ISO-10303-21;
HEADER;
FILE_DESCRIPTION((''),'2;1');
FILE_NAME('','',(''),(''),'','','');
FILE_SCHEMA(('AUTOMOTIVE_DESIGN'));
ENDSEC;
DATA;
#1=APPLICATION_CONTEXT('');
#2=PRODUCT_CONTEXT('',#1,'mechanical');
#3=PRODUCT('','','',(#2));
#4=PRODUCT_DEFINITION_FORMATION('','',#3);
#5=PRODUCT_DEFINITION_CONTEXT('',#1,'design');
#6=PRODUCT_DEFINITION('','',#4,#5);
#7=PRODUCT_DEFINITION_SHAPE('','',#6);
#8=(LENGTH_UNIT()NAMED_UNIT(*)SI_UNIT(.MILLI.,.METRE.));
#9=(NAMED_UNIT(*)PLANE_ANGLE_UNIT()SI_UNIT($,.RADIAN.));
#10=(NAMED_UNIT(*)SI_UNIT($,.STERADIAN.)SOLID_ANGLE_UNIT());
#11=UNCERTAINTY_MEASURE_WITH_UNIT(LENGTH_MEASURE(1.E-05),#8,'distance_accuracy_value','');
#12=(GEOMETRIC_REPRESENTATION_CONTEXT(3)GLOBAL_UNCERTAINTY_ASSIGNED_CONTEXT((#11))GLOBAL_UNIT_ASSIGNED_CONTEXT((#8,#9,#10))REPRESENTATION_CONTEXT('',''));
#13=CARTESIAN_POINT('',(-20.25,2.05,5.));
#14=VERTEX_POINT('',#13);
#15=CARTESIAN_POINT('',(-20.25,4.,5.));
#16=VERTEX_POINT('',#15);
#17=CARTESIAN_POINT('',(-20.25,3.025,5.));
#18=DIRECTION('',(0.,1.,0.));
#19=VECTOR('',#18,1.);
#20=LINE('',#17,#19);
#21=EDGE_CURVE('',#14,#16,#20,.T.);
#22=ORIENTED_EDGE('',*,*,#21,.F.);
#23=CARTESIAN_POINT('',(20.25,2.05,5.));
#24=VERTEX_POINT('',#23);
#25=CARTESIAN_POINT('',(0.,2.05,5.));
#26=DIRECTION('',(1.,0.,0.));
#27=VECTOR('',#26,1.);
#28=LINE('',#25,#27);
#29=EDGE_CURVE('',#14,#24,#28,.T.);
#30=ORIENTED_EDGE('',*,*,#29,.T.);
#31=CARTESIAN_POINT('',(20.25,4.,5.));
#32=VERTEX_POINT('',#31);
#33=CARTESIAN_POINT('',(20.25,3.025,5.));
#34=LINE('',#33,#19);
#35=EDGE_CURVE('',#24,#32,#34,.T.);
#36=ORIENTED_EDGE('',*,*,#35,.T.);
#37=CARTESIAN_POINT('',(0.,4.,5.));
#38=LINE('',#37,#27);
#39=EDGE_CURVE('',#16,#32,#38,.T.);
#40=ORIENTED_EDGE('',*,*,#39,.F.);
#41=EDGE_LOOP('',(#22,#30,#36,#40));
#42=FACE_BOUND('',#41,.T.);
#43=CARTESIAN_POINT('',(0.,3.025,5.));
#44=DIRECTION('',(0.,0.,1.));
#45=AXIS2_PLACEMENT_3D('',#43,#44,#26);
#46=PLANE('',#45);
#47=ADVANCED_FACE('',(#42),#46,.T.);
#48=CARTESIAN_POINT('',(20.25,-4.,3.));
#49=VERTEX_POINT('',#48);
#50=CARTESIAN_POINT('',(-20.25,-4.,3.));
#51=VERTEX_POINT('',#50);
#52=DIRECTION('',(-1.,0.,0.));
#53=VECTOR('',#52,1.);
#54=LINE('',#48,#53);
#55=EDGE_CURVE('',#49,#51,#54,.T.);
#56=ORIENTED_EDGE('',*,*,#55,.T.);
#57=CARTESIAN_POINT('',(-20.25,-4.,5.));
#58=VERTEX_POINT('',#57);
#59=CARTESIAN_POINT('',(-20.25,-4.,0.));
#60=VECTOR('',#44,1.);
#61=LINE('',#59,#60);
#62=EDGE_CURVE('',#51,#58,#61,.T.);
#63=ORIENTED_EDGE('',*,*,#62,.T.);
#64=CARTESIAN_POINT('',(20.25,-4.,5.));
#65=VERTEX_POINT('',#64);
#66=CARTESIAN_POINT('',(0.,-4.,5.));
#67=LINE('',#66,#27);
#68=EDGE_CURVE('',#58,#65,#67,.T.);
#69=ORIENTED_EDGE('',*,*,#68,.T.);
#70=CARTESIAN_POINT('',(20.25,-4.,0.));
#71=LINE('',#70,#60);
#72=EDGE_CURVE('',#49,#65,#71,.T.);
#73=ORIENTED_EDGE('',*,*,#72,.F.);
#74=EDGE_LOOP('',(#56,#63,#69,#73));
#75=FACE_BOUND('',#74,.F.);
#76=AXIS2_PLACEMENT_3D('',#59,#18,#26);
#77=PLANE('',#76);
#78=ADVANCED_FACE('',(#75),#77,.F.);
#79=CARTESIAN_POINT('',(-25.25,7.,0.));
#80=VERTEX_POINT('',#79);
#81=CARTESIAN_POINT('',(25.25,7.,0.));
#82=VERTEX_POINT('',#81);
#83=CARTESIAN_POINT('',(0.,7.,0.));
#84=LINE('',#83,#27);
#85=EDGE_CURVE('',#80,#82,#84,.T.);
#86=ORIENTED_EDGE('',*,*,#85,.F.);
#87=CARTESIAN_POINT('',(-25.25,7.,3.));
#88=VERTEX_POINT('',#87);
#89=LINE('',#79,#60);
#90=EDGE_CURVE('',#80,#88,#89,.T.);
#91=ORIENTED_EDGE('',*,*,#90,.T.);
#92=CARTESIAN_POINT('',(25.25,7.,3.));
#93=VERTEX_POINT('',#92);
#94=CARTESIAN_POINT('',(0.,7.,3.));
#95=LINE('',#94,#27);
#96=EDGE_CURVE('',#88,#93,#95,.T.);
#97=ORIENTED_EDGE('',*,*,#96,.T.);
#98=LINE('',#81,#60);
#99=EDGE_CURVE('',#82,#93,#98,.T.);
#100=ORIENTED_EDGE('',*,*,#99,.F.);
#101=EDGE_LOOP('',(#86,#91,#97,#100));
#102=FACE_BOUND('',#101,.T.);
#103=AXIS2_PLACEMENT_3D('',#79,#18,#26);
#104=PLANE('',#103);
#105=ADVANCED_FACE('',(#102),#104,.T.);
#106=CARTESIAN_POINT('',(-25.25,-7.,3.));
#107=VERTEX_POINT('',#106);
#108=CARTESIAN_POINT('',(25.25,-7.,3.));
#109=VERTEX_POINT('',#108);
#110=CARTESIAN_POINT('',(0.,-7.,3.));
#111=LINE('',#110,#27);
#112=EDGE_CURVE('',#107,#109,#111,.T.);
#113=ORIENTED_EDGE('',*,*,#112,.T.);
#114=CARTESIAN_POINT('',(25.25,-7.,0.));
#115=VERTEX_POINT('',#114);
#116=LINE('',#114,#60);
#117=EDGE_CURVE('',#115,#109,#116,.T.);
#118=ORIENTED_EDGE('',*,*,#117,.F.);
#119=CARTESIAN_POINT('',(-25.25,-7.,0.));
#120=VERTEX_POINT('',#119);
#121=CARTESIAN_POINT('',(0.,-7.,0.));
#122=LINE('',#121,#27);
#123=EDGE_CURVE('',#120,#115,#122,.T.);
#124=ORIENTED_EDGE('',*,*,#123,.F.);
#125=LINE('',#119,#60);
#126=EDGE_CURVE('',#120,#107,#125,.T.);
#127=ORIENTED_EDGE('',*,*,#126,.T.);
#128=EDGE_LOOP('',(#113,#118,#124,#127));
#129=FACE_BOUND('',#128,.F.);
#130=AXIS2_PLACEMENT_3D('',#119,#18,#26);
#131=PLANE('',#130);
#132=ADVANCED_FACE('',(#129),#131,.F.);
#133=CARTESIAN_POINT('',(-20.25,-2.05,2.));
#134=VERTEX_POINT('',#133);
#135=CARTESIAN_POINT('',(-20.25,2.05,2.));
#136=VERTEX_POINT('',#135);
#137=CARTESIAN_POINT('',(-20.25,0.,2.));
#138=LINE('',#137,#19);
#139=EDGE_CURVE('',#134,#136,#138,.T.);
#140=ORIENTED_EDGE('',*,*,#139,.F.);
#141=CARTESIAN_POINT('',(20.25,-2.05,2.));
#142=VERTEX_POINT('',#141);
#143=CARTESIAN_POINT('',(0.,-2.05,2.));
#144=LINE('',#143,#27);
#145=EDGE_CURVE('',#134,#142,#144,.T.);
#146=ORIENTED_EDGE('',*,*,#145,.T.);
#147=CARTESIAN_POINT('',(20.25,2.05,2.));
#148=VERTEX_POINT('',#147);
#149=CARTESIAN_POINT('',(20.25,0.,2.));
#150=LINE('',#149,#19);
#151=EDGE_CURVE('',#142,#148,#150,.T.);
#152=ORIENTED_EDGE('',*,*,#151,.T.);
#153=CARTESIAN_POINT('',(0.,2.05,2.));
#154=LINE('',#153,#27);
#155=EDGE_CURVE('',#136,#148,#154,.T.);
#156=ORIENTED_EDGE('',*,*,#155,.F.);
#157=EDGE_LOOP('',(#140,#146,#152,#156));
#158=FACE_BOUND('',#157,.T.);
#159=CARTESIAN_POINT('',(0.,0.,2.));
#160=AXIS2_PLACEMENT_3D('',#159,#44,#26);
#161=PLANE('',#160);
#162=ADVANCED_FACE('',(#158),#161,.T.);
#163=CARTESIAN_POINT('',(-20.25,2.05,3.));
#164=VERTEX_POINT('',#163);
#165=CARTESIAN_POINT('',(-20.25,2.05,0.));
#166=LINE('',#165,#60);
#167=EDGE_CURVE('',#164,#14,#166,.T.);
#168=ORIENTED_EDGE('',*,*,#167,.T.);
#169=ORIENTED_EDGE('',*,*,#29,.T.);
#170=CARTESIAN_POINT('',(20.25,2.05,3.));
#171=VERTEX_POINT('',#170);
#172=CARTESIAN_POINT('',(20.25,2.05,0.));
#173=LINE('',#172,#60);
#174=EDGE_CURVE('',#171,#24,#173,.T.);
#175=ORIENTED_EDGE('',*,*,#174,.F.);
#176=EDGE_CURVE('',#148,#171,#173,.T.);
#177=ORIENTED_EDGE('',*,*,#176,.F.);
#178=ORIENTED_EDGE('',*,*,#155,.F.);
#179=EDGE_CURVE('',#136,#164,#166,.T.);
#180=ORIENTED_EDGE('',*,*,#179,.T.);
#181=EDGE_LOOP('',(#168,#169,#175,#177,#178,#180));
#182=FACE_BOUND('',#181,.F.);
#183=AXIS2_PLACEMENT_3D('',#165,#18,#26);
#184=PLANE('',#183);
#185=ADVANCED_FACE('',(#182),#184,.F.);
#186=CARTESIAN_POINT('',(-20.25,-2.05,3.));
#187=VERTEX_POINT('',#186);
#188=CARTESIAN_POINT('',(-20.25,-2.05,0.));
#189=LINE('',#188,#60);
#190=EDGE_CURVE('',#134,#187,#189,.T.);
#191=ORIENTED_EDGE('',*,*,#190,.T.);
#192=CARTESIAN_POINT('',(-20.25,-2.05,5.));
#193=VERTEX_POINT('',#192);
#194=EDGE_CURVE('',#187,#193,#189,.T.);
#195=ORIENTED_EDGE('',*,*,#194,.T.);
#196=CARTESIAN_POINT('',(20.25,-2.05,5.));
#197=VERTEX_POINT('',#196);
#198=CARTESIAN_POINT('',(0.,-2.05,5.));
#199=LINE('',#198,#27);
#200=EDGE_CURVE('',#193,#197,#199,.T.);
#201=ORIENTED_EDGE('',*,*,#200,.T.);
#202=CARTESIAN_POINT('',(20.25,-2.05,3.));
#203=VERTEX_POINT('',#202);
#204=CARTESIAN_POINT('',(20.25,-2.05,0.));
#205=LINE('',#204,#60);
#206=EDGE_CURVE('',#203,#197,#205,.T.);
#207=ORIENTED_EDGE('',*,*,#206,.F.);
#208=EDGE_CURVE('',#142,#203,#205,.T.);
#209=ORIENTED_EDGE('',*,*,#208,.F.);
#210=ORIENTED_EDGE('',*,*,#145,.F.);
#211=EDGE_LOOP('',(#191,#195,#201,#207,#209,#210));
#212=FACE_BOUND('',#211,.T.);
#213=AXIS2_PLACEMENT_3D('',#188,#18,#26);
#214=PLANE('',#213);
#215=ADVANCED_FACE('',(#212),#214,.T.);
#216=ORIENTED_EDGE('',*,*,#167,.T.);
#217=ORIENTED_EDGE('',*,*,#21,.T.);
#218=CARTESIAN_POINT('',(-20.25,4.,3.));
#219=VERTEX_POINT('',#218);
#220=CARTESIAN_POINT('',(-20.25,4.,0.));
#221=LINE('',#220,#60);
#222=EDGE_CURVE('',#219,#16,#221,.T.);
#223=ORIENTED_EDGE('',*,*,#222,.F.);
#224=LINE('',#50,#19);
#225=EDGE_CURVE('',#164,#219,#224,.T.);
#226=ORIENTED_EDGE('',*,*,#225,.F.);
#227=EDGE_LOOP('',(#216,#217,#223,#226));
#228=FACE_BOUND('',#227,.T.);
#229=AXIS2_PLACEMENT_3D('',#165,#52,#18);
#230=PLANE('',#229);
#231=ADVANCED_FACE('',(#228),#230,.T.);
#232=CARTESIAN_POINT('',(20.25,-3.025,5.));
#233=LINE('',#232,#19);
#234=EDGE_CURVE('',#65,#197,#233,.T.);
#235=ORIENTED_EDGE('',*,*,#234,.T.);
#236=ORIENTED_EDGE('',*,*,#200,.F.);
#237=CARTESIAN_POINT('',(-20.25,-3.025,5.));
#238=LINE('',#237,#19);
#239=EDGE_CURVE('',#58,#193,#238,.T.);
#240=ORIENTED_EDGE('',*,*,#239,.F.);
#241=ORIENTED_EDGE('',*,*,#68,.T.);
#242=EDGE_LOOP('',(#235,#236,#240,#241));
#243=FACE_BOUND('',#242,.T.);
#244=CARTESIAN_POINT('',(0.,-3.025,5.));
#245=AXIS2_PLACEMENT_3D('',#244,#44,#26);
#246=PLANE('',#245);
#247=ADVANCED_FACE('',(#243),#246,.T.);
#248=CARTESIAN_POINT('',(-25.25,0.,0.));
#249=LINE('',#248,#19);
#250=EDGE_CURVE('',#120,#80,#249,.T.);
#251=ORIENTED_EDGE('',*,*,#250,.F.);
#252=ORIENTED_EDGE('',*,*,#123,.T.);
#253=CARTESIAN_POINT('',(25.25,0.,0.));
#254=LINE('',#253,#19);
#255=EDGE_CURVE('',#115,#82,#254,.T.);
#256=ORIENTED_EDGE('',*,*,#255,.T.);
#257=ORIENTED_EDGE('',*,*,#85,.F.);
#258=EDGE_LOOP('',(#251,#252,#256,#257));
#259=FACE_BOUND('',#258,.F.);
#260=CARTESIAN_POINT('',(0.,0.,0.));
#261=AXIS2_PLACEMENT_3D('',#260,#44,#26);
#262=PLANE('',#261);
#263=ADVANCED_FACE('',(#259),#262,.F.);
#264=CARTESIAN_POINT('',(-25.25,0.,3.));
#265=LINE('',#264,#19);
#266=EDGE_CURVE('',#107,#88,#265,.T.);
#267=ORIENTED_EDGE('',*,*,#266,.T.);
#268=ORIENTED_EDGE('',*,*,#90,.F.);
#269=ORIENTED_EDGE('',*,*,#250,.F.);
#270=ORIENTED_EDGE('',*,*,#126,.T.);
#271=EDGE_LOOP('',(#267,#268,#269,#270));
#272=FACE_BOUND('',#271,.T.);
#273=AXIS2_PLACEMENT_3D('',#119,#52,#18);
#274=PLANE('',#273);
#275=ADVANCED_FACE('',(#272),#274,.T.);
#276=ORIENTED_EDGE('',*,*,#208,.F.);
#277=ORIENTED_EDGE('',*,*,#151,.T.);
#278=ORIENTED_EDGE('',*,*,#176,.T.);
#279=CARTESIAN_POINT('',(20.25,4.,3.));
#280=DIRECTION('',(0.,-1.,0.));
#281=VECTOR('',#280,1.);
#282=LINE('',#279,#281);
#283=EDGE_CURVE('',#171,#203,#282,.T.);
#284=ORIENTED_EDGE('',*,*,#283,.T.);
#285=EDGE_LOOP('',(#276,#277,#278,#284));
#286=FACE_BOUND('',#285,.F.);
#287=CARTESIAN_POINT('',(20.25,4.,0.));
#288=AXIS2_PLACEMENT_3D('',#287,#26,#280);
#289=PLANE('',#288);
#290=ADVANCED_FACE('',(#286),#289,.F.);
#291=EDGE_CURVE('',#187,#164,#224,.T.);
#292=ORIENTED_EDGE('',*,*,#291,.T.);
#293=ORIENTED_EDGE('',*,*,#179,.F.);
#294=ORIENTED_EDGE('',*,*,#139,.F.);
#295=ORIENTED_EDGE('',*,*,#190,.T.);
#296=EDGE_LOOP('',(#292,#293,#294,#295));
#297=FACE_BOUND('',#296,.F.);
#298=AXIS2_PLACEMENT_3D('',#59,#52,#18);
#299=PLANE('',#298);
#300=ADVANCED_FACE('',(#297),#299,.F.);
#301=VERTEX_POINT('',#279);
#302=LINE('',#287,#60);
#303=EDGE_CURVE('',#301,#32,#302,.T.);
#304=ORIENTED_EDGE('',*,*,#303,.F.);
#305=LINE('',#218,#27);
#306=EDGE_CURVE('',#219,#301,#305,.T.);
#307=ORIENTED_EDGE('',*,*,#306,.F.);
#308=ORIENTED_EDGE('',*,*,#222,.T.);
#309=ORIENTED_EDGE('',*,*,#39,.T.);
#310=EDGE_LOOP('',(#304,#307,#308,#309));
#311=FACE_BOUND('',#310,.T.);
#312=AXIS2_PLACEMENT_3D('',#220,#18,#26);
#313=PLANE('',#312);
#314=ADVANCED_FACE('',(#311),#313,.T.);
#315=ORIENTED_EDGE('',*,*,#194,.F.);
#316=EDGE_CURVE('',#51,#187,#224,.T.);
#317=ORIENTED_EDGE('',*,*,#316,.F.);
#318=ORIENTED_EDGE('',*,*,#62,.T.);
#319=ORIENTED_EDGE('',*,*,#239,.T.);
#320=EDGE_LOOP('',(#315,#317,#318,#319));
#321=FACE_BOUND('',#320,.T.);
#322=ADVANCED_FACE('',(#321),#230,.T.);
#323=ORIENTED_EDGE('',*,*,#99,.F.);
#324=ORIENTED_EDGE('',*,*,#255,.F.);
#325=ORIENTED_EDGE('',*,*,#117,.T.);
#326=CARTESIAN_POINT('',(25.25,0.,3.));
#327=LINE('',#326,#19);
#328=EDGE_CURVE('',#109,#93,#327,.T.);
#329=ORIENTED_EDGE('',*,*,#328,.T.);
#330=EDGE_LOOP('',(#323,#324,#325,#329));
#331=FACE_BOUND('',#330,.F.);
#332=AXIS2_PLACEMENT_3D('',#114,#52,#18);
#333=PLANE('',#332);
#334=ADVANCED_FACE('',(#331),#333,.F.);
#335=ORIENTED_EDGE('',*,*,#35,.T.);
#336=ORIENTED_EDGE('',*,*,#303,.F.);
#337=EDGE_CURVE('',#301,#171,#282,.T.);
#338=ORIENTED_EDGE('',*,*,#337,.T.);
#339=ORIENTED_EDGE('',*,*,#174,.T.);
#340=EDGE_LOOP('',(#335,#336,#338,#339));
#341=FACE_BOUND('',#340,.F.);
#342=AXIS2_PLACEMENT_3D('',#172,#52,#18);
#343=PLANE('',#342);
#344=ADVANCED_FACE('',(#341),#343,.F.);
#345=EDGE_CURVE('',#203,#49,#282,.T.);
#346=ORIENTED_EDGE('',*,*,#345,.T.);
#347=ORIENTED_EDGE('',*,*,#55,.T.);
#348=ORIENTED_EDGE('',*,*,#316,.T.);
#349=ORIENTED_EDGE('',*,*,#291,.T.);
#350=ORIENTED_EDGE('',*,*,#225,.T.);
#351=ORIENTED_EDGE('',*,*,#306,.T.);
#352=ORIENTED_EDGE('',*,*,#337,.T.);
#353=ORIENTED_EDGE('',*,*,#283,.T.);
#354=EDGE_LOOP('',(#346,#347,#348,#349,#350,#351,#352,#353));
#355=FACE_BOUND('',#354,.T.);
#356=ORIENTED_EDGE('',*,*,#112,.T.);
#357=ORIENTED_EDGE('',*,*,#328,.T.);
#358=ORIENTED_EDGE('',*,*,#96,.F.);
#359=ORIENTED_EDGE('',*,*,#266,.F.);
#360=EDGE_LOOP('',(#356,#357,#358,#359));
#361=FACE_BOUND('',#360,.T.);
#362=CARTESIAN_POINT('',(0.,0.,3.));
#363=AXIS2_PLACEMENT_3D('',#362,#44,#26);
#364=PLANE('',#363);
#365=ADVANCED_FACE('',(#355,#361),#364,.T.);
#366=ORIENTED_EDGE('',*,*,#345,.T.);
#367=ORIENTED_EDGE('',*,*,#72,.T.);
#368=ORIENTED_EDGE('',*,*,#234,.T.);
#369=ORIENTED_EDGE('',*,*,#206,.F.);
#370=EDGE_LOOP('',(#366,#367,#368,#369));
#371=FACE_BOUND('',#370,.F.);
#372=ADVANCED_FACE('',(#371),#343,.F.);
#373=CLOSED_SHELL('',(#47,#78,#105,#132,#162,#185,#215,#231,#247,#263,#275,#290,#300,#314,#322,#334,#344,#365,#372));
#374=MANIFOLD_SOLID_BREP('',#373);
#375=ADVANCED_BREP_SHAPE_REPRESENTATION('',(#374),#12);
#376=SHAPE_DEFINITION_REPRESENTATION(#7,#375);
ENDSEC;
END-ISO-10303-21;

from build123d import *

# Parameters (mm, degrees)
F0_W     = 40.5
F0_H     = 4.1
F1_DEPTH = 2
F0_H_2   = 1.95
F2_DEPTH = 5
F0_W_2   = 50.5
F0_H_3   = 14
F3_DEPTH = 3


with BuildPart() as f1:
    # F0 (on Top) → F1 (new body)
    with BuildSketch(Plane.XY):
        Rectangle(F0_W, F0_H)
    extrude(amount=F1_DEPTH)

    # F0 (on Top) → F2 (join)
    with BuildSketch(Plane.XY):
        with Locations((0, 3.025)):
            Rectangle(F0_W, F0_H_2)
        with Locations((0, -3.025)):
            Rectangle(F0_W, F0_H_2)
    extrude(amount=F2_DEPTH)

    # F0 (on Top) → F3 (join)
    with BuildSketch(Plane.XY):
        Rectangle(F0_W_2, F0_H_3)
        Polygon((-20.25, 2.05), (-20.25, 4), (20.25, 4), (20.25, 2.05), (20.25, -2.05), (20.25, -4), (-20.25, -4), (-20.25, -2.05), align=None, mode=Mode.SUBTRACT)
    extrude(amount=F3_DEPTH)


solid = f1.part
